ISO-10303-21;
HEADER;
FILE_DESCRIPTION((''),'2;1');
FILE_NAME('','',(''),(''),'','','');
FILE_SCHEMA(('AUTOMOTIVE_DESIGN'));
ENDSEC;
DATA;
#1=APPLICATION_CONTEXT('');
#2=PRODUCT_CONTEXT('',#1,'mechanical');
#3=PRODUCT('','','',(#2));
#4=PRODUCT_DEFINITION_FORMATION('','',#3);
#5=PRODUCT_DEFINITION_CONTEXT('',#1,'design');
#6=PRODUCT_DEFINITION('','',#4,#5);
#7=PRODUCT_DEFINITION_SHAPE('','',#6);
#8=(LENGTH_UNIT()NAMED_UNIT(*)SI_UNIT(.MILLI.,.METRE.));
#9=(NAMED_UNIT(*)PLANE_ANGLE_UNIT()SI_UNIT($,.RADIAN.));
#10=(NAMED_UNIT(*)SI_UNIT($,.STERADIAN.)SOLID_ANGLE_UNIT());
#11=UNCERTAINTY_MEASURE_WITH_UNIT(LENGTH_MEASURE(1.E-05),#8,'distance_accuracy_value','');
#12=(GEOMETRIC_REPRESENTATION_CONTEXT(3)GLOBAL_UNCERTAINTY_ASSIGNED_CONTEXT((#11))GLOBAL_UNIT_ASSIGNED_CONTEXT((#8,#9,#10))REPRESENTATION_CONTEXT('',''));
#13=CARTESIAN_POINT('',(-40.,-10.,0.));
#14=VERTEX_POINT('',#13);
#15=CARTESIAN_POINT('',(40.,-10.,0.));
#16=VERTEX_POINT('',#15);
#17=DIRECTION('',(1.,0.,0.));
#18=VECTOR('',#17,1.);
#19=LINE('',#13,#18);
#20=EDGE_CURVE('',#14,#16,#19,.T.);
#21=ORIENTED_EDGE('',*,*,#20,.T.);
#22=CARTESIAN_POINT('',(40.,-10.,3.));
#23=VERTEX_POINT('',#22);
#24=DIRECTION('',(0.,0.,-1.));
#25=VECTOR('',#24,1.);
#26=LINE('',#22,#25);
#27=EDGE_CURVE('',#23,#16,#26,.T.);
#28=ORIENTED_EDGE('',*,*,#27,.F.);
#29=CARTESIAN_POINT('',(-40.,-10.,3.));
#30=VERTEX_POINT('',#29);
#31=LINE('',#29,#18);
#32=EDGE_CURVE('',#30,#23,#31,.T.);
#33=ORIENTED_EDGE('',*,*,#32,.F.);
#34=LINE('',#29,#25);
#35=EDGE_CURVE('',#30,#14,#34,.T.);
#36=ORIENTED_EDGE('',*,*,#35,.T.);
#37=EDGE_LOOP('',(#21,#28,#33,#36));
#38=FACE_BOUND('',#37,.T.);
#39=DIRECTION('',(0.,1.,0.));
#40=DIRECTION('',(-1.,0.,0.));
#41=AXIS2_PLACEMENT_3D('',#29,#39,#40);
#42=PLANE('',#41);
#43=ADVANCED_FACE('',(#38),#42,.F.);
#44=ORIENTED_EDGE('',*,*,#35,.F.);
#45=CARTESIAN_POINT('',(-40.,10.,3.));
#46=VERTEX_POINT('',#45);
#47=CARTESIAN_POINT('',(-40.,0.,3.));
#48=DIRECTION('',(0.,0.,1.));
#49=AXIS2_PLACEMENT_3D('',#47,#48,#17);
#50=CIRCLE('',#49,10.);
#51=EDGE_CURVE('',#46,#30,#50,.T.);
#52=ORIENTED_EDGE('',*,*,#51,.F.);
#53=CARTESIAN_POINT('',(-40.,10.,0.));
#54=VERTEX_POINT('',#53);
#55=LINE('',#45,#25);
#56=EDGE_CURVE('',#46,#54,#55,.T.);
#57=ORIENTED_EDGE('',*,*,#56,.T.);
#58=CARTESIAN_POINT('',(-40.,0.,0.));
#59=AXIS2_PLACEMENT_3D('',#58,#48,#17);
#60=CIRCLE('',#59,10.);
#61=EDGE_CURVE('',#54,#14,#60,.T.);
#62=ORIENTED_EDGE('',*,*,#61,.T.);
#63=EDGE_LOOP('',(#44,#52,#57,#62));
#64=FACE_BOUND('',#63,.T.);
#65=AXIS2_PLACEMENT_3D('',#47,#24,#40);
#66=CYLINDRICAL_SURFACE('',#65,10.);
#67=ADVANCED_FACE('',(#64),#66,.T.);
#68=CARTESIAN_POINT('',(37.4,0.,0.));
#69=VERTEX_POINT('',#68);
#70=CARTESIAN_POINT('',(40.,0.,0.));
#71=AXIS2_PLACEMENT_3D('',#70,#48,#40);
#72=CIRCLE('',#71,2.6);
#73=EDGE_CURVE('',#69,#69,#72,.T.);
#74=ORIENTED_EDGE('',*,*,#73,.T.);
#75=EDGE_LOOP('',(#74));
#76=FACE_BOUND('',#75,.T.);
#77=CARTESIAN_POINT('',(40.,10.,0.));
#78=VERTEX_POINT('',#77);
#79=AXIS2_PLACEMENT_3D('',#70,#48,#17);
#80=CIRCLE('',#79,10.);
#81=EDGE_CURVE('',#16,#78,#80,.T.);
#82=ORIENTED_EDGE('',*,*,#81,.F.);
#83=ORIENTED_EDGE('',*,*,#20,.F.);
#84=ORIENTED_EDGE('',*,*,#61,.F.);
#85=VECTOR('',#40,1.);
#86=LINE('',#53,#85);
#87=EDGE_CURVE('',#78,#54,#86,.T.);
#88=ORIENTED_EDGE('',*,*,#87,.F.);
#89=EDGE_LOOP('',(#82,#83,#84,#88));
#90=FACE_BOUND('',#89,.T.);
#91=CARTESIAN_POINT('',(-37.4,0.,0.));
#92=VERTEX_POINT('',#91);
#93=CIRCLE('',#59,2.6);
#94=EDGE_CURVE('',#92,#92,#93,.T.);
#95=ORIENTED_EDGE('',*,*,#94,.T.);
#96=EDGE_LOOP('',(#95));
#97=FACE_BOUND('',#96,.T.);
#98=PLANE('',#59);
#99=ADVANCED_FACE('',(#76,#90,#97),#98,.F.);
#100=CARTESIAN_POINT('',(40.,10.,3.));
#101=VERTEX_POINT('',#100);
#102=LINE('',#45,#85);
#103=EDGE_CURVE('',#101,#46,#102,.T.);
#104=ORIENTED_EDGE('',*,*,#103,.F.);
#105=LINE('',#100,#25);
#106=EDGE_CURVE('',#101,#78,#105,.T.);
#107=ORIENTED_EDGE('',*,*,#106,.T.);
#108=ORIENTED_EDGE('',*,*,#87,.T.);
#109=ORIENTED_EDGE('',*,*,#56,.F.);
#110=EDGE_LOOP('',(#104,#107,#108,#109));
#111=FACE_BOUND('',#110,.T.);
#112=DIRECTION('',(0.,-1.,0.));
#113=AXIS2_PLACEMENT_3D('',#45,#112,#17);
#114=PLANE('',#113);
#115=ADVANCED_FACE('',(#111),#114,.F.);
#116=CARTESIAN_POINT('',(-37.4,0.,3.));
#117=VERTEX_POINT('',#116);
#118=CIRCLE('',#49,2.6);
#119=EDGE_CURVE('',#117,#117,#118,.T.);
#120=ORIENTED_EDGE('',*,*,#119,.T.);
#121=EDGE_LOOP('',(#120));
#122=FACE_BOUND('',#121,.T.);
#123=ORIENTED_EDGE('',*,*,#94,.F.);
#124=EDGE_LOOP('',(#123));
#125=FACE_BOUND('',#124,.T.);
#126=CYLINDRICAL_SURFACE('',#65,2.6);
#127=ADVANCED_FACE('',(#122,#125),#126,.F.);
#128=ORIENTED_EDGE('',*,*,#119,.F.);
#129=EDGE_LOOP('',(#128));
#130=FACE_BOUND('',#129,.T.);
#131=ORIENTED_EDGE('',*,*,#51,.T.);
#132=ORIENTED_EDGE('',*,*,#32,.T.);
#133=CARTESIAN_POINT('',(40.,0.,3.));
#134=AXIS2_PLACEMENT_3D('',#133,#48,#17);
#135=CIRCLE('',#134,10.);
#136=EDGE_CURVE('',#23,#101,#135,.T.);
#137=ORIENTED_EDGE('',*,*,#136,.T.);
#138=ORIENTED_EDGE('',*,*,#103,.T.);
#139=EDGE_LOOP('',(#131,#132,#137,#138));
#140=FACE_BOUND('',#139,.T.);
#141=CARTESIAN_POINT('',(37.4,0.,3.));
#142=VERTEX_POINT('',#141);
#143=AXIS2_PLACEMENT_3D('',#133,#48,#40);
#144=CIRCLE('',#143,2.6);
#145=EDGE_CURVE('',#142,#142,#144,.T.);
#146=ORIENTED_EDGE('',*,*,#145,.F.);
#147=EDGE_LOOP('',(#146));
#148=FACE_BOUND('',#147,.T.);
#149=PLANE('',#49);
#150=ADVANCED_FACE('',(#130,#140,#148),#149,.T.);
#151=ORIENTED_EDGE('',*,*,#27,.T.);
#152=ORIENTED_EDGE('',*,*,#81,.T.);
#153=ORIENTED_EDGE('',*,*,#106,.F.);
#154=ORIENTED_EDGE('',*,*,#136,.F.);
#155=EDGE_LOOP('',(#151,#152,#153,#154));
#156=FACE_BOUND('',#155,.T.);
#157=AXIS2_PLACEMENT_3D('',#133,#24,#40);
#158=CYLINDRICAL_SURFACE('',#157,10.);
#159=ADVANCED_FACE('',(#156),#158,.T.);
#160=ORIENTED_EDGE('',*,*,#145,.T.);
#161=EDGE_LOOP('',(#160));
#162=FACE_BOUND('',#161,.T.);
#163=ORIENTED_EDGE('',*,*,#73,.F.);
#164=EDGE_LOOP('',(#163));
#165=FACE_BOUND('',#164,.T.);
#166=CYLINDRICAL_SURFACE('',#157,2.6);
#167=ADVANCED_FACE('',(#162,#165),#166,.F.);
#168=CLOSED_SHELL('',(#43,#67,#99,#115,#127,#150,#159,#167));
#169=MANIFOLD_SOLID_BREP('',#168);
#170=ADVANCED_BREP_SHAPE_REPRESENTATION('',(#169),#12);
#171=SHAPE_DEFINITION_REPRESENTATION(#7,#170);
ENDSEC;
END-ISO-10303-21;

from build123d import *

# Parameters (mm, degrees)
SKETCH_1_R      = 2.6
EXTRUDE_1_DEPTH = 3


with BuildPart() as part:
    # 草图1 → 凸台-拉伸1 (new body)
    with BuildSketch(Plane.XY):
        with BuildLine():
            Line((-40, 10), (40, 10))
            ThreePointArc((40, 10), (50, 0), (40, -10))
            Line((40, -10), (-40, -10))
            ThreePointArc((-40, -10), (-50, 0), (-40, 10))
        make_face()
        with Locations((-40, 0)):
            Circle(SKETCH_1_R, mode=Mode.SUBTRACT)
        with Locations(Location((40, 0, 0), (0, 0, 180))):
            Circle(SKETCH_1_R, mode=Mode.SUBTRACT)
    extrude(amount=EXTRUDE_1_DEPTH)


solid = part.part
